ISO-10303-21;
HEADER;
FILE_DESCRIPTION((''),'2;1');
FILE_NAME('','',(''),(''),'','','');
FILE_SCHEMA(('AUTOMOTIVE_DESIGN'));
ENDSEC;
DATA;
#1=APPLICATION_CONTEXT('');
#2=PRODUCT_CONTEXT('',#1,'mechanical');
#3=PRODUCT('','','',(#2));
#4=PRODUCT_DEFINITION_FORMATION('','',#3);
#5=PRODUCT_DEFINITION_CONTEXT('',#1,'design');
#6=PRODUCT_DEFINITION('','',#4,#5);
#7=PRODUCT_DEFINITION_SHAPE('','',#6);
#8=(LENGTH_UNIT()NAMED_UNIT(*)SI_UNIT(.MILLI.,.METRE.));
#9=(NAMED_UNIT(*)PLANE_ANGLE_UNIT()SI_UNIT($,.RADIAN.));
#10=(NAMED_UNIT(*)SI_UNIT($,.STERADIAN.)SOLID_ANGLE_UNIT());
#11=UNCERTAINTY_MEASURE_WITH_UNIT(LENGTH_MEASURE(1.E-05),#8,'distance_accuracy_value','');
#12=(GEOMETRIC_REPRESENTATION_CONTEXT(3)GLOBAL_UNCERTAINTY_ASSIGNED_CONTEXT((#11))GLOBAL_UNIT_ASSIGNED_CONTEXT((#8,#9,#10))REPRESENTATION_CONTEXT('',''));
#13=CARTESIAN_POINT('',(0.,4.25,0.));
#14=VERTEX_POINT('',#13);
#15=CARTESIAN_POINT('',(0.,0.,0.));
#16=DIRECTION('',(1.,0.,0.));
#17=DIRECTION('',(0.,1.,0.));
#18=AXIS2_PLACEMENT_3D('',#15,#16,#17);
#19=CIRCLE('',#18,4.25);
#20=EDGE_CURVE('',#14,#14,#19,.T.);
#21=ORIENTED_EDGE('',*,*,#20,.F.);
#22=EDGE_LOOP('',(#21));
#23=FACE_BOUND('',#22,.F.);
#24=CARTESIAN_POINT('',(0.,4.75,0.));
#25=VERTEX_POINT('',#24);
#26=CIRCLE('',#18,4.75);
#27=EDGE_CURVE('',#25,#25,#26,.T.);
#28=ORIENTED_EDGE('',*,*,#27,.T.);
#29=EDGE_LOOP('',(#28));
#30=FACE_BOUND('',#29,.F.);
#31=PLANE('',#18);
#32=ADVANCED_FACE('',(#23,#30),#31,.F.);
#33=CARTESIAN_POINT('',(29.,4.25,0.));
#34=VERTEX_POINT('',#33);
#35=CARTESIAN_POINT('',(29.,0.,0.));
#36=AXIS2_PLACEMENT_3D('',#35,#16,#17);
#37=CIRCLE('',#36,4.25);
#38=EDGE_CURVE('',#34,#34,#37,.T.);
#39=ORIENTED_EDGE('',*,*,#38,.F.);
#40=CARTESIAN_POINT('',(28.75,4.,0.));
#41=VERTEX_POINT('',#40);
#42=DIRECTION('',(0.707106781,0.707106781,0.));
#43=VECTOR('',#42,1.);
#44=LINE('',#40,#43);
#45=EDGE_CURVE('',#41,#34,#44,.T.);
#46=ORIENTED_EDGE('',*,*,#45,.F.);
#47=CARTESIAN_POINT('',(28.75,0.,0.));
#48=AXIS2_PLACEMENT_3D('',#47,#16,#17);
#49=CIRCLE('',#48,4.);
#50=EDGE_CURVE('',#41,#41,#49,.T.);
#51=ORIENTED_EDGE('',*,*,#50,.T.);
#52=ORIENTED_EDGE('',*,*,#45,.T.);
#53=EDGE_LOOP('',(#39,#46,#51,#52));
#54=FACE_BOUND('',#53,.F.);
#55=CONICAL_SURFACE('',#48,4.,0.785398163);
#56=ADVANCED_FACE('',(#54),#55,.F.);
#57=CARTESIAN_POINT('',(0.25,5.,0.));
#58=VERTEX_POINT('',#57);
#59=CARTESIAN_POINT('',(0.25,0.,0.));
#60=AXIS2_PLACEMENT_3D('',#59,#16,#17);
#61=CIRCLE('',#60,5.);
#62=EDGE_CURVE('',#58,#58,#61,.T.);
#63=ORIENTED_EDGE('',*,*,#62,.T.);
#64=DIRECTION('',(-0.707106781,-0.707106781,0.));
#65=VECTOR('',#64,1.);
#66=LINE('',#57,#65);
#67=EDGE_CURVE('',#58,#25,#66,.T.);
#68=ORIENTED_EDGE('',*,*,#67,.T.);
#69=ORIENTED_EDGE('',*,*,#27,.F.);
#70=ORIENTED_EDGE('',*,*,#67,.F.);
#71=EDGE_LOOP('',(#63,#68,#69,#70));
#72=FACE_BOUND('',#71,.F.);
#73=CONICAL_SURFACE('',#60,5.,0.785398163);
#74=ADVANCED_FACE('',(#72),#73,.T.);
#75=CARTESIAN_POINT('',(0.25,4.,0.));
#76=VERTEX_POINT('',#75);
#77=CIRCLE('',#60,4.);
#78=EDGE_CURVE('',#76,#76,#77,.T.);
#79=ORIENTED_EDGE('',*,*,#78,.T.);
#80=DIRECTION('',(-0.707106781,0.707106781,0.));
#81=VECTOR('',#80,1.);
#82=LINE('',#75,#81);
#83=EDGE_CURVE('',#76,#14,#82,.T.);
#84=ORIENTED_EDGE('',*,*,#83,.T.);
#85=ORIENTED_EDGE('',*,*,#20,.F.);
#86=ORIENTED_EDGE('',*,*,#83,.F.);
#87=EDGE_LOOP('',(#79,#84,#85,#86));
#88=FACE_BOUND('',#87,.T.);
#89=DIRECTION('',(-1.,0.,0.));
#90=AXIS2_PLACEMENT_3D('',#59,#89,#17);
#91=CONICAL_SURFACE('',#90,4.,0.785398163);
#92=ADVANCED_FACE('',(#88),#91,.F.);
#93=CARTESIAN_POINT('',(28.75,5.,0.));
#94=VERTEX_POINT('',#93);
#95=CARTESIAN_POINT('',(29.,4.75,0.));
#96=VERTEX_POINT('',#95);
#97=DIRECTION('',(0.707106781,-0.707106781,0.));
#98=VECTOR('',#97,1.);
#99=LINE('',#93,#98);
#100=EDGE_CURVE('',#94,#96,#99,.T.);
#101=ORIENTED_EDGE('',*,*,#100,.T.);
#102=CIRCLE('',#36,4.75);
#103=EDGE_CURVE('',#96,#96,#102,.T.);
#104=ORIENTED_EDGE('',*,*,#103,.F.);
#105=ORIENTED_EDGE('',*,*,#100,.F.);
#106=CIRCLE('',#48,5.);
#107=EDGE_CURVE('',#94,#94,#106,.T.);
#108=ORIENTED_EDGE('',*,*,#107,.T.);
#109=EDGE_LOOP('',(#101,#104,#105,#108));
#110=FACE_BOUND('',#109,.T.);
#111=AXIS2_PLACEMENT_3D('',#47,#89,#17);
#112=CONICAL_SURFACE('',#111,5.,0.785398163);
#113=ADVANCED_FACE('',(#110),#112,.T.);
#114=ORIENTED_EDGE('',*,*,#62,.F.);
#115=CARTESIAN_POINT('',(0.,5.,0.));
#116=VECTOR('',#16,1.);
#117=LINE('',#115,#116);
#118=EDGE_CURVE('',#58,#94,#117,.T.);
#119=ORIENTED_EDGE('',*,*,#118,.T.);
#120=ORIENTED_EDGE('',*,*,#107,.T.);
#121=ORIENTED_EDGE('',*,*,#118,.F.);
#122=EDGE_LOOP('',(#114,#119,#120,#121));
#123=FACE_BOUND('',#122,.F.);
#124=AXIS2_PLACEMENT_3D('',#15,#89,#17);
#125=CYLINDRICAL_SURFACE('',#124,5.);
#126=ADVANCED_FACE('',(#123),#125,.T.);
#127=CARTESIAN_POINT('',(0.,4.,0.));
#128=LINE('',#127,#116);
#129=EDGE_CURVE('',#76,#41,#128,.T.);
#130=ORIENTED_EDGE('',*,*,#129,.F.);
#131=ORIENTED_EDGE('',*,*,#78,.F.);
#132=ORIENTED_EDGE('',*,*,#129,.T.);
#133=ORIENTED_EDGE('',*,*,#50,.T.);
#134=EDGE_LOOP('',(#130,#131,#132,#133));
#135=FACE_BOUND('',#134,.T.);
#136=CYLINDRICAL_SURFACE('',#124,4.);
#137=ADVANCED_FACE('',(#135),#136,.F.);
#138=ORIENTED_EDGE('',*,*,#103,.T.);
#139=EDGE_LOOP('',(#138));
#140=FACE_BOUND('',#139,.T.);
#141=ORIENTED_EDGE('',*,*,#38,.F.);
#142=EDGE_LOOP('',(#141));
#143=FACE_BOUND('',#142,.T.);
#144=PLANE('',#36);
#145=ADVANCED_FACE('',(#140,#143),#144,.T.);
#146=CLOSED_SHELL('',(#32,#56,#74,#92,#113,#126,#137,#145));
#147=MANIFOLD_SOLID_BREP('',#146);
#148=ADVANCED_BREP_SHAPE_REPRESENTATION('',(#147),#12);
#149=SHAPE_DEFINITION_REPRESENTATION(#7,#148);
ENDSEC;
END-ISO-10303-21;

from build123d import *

# Parameters (mm, degrees)
F0_R     = 5
F0_R_2   = 4
F1_DEPTH = 29
F2_SIZE  = 0.25


with BuildPart() as f1:
    # F0 (on Right) → F1 (new body)
    with BuildSketch(Plane.YZ):
        Circle(F0_R)
        Circle(F0_R_2, mode=Mode.SUBTRACT)
    extrude(amount=F1_DEPTH)

    # F2
    f2_edges = [f1.edges().sort_by_distance(p)[0] for p in [
        (29, -5, 0),
        (0, -5, 0),
        (0, -4, 0),
        (29, -4, 0),
    ]]
    chamfer(f2_edges, length=F2_SIZE)


solid = f1.part
